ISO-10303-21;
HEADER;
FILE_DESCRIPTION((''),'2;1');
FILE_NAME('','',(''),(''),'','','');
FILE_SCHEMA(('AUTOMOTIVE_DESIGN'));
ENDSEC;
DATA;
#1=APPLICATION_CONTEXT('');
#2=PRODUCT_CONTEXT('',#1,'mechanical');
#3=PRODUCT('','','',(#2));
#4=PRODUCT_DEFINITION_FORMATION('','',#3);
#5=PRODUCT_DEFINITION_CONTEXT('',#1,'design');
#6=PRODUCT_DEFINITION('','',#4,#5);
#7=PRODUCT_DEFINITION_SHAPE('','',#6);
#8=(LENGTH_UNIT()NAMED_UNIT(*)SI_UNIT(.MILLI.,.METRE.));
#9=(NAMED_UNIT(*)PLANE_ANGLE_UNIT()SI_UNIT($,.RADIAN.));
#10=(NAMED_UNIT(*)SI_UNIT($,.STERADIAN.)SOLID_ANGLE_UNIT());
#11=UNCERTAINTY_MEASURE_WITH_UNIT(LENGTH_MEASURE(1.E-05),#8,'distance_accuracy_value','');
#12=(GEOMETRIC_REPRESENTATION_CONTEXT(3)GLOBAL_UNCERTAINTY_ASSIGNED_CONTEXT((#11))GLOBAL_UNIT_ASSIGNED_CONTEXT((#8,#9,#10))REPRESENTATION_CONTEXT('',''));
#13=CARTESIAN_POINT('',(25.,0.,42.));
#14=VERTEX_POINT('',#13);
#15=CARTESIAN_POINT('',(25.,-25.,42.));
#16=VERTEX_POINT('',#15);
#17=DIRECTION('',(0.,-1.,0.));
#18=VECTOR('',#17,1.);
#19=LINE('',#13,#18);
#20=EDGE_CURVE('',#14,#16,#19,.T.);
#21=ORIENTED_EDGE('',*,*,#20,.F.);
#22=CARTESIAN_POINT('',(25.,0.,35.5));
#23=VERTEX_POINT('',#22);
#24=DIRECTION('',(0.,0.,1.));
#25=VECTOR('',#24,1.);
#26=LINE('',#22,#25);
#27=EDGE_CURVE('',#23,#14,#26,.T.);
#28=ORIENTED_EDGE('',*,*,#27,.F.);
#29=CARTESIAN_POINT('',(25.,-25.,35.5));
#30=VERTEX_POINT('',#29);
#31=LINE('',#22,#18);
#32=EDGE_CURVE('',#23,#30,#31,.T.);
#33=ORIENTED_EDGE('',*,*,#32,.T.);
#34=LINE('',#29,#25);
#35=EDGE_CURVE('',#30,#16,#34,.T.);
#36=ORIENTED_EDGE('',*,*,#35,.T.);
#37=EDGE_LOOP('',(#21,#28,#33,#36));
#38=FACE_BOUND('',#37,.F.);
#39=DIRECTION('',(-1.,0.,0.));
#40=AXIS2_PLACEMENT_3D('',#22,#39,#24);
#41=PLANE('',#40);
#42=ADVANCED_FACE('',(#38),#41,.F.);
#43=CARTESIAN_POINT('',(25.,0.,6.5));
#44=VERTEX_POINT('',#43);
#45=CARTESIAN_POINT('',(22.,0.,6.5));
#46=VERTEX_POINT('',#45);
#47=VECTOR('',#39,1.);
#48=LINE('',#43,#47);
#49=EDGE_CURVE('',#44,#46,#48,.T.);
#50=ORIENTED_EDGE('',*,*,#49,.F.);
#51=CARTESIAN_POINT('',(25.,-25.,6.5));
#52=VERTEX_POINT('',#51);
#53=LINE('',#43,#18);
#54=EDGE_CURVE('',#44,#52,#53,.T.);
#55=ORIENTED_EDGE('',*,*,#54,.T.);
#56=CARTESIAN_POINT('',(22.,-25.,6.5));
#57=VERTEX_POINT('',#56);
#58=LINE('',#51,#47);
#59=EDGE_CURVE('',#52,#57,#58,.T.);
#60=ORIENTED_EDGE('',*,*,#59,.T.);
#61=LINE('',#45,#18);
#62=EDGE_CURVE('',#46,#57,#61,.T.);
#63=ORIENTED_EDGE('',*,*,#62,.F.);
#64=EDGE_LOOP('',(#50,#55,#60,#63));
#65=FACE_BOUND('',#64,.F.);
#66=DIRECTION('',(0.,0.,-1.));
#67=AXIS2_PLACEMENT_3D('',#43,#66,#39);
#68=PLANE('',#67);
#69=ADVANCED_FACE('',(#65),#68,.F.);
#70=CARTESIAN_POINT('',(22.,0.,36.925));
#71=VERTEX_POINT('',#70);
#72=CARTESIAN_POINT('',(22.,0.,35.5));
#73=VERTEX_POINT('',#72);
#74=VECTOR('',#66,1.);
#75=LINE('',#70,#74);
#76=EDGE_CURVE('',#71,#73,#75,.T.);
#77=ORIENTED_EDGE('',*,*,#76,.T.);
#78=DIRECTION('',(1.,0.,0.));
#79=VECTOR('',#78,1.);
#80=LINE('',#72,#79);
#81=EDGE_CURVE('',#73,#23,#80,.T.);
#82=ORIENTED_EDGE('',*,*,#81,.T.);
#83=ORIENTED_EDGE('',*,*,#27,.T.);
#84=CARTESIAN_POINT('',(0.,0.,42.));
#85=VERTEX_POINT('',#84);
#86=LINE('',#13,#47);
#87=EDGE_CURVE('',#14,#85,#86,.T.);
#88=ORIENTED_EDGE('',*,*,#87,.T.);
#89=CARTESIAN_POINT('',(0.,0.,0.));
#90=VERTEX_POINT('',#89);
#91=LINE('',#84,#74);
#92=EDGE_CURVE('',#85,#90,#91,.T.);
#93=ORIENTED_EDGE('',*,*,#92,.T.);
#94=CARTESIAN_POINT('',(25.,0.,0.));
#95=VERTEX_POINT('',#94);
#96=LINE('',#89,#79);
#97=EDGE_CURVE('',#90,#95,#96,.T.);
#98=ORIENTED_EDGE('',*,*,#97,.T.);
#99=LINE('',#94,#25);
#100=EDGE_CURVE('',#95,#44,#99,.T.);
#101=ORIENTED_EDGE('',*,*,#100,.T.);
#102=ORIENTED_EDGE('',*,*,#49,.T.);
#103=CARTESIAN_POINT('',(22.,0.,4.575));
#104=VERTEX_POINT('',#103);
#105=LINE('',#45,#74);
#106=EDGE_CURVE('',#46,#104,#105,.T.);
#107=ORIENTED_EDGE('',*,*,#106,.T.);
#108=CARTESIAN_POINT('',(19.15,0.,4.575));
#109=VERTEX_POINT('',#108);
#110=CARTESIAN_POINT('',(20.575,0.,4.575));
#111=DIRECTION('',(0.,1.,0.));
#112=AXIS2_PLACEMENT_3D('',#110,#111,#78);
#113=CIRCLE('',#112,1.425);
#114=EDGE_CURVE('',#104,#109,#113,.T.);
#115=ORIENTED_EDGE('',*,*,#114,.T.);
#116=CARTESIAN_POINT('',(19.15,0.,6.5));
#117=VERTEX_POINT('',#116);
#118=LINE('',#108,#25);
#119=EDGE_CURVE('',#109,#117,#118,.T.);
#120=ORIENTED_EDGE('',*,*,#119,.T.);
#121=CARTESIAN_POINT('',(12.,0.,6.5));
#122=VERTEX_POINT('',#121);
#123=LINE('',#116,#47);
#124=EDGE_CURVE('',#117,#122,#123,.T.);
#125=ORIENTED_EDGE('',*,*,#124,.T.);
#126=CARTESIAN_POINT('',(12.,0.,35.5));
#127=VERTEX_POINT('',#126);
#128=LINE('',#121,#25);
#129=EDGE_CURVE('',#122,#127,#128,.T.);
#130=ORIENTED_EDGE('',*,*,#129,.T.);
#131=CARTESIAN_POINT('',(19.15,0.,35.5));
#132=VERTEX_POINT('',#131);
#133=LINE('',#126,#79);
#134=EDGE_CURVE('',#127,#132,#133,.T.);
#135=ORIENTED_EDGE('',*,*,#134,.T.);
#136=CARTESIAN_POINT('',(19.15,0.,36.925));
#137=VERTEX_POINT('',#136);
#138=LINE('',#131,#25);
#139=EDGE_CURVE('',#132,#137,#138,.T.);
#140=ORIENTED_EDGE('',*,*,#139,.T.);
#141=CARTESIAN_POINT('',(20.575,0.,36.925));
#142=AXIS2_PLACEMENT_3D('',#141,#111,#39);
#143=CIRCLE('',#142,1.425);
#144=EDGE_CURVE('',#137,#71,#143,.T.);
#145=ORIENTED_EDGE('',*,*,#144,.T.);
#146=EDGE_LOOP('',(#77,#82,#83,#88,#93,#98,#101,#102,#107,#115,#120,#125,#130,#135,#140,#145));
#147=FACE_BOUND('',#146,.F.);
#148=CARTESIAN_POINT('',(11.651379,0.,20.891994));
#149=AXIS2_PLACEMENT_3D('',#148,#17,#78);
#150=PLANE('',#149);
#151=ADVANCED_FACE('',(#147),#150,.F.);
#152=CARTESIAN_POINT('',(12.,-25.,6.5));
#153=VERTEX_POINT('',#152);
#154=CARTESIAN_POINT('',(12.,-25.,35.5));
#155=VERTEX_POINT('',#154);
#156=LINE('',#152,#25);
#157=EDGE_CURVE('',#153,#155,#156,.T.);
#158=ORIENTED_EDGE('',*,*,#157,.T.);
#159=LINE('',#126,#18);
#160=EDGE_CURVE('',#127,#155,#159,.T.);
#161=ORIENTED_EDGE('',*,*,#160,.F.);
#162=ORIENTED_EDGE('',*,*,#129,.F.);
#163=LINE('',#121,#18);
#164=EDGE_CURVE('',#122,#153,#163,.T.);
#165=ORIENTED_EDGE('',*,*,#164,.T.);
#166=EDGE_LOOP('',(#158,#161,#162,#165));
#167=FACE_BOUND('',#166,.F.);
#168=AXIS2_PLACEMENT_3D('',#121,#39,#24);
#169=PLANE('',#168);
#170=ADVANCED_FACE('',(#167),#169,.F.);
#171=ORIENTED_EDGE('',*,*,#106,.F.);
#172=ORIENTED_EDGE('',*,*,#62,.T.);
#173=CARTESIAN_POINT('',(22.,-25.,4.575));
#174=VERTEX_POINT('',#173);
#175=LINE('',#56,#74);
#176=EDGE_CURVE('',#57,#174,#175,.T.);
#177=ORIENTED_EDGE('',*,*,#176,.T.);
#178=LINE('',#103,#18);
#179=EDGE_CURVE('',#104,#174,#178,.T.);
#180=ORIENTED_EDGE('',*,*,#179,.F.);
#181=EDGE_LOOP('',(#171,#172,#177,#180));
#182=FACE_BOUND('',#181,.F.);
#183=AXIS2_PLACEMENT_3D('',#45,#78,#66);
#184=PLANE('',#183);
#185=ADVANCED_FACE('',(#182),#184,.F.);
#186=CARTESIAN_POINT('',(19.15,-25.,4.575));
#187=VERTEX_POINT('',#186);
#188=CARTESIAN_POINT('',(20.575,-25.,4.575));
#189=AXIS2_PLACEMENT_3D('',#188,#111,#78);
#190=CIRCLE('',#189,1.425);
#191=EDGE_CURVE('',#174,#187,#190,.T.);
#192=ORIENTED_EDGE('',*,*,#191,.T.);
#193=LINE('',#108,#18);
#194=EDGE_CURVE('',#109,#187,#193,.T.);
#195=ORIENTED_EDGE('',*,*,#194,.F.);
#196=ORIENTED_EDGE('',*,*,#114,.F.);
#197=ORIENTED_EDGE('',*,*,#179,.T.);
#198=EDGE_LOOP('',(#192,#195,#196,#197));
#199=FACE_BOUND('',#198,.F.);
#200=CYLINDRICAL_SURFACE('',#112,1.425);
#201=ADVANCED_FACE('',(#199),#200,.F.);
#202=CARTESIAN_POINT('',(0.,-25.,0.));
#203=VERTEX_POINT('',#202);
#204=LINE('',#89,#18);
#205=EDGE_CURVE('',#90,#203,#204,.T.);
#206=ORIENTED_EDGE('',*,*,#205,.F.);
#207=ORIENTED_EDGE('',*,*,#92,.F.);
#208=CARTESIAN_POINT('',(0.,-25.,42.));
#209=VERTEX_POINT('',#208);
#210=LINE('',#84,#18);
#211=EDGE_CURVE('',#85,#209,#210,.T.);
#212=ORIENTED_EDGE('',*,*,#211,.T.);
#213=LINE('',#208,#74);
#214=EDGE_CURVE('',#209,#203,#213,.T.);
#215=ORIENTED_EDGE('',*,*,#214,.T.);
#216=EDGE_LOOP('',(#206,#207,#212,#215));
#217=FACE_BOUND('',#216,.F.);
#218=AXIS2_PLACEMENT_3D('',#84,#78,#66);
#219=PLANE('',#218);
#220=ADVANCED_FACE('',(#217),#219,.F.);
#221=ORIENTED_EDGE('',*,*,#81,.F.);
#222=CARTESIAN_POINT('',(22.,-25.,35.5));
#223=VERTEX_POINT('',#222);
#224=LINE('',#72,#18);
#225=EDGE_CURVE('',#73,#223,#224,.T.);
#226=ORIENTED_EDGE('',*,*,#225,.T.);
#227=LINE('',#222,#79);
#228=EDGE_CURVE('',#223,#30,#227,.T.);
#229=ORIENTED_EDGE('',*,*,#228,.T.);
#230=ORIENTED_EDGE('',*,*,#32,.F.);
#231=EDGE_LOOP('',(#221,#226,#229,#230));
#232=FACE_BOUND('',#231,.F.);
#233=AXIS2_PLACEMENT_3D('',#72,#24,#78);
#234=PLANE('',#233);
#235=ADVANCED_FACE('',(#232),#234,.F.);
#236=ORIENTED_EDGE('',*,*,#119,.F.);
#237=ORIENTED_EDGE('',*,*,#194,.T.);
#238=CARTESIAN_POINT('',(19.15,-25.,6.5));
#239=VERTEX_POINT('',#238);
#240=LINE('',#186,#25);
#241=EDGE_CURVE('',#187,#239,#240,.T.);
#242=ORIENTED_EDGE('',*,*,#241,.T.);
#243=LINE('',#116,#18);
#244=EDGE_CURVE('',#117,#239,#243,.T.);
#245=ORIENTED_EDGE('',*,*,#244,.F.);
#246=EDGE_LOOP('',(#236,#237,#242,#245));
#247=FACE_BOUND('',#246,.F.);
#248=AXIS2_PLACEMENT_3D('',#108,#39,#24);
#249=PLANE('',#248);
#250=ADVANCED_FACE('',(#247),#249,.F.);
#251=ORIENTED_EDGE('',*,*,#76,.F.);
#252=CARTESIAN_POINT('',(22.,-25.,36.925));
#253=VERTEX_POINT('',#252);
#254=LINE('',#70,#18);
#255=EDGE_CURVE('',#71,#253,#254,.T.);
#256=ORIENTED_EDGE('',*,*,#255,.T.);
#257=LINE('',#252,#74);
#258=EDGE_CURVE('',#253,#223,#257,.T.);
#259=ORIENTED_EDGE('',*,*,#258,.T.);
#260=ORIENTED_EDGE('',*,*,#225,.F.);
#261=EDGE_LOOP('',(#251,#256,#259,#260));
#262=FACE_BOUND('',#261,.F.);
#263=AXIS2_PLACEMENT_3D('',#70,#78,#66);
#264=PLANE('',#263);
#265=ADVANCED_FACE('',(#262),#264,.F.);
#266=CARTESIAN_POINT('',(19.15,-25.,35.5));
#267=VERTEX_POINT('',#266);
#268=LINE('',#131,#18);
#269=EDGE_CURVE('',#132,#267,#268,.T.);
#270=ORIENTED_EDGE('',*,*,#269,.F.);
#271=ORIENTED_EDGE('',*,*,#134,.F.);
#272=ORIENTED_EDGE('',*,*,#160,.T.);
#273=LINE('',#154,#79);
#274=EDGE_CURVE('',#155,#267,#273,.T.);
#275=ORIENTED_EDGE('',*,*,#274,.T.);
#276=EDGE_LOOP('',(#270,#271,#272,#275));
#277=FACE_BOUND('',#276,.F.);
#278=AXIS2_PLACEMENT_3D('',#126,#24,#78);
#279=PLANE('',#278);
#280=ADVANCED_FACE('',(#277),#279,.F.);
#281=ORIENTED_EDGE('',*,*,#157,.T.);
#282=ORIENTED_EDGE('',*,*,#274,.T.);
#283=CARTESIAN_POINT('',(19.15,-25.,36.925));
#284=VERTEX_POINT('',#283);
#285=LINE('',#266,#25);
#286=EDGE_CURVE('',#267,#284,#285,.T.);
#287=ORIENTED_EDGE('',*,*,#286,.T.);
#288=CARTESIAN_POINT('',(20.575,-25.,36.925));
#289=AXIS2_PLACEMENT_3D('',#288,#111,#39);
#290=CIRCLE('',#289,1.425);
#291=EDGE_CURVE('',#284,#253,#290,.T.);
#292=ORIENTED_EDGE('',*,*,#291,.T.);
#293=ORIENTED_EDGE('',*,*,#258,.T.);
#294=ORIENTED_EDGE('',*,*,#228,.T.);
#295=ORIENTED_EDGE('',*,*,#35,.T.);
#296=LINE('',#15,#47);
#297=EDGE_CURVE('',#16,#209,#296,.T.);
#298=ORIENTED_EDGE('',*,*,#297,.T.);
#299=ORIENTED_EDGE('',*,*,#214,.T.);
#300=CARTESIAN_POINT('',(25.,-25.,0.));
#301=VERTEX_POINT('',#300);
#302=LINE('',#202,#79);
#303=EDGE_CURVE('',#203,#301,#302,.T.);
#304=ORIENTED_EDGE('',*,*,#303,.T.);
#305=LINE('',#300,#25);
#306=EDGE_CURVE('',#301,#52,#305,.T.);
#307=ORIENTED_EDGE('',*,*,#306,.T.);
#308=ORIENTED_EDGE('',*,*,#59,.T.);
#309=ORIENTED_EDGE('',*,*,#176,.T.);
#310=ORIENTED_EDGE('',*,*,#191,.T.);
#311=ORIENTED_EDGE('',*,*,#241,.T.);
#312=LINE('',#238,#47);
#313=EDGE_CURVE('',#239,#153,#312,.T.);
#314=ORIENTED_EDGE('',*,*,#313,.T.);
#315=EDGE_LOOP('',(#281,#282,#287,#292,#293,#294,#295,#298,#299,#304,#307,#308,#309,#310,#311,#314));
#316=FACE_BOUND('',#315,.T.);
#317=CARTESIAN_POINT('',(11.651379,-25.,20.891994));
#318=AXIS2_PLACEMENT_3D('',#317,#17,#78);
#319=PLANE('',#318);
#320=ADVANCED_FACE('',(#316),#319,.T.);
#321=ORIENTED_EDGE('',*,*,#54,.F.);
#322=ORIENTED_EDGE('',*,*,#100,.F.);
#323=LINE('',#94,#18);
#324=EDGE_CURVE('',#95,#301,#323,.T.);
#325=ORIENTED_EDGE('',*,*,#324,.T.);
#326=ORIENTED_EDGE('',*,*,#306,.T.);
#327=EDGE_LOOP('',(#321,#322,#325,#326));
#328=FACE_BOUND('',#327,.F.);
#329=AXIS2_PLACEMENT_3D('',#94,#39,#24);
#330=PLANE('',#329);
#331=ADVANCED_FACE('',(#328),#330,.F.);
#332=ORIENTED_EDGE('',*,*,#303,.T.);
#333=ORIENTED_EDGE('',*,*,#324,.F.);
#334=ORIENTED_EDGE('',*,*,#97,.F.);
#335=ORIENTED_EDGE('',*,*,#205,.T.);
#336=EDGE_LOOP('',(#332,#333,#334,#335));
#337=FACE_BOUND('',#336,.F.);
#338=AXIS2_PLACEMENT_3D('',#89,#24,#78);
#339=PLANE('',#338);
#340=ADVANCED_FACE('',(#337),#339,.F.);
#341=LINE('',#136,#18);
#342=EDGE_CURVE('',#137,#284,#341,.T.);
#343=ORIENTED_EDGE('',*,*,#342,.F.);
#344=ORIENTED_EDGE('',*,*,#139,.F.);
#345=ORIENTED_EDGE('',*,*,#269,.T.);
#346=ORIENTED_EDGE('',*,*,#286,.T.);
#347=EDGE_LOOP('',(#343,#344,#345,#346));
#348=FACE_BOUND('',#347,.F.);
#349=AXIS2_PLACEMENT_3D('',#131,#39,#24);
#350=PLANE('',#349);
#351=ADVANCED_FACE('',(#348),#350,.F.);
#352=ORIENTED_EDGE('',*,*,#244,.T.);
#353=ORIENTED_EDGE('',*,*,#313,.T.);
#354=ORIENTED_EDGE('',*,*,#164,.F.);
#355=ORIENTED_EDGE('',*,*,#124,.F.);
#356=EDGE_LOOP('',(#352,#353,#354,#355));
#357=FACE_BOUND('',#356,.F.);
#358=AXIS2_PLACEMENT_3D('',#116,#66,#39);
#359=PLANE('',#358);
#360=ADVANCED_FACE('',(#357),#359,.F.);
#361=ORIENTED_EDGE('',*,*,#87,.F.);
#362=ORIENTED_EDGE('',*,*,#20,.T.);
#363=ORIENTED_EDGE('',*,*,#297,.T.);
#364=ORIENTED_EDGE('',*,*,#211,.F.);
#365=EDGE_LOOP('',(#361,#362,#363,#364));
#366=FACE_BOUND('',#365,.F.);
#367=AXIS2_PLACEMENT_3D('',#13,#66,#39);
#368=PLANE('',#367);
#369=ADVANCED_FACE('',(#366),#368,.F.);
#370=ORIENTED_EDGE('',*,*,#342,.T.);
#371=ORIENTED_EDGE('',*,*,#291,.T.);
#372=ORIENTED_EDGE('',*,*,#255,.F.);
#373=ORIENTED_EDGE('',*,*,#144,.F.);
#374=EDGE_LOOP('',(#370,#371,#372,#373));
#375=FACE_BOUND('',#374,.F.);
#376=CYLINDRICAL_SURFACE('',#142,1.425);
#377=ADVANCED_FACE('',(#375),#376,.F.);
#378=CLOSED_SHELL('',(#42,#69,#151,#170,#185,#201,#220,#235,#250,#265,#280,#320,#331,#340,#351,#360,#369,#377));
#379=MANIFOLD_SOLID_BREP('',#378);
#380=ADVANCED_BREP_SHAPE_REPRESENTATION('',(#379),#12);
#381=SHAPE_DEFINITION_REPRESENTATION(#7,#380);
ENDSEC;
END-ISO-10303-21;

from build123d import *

# Parameters (mm, degrees)
F1_DEPTH = 25


with BuildPart() as f1:
    # F0 (on Front) → F1 (new body)
    with BuildSketch(Plane.XZ):
        with BuildLine():
            Line((0, 42), (0, 0))
            Line((0, 0), (25, 0))
            Line((25, 0), (25, 6.5))
            Line((25, 6.5), (22, 6.5))
            Line((22, 6.5), (22, 4.575))
            ThreePointArc((22, 4.575), (20.575, 3.15), (19.15, 4.575))
            Line((19.15, 4.575), (19.15, 6.5))
            Line((19.15, 6.5), (12, 6.5))
            Line((12, 6.5), (12, 35.5))
            Line((12, 35.5), (19.15, 35.5))
            Line((19.15, 35.5), (19.15, 36.925))
            ThreePointArc((19.15, 36.925), (20.575, 38.35), (22, 36.925))
            Line((22, 36.925), (22, 35.5))
            Line((22, 35.5), (25, 35.5))
            Line((25, 35.5), (25, 42))
            Line((25, 42), (0, 42))
        make_face()
    extrude(amount=F1_DEPTH)


solid = f1.part
